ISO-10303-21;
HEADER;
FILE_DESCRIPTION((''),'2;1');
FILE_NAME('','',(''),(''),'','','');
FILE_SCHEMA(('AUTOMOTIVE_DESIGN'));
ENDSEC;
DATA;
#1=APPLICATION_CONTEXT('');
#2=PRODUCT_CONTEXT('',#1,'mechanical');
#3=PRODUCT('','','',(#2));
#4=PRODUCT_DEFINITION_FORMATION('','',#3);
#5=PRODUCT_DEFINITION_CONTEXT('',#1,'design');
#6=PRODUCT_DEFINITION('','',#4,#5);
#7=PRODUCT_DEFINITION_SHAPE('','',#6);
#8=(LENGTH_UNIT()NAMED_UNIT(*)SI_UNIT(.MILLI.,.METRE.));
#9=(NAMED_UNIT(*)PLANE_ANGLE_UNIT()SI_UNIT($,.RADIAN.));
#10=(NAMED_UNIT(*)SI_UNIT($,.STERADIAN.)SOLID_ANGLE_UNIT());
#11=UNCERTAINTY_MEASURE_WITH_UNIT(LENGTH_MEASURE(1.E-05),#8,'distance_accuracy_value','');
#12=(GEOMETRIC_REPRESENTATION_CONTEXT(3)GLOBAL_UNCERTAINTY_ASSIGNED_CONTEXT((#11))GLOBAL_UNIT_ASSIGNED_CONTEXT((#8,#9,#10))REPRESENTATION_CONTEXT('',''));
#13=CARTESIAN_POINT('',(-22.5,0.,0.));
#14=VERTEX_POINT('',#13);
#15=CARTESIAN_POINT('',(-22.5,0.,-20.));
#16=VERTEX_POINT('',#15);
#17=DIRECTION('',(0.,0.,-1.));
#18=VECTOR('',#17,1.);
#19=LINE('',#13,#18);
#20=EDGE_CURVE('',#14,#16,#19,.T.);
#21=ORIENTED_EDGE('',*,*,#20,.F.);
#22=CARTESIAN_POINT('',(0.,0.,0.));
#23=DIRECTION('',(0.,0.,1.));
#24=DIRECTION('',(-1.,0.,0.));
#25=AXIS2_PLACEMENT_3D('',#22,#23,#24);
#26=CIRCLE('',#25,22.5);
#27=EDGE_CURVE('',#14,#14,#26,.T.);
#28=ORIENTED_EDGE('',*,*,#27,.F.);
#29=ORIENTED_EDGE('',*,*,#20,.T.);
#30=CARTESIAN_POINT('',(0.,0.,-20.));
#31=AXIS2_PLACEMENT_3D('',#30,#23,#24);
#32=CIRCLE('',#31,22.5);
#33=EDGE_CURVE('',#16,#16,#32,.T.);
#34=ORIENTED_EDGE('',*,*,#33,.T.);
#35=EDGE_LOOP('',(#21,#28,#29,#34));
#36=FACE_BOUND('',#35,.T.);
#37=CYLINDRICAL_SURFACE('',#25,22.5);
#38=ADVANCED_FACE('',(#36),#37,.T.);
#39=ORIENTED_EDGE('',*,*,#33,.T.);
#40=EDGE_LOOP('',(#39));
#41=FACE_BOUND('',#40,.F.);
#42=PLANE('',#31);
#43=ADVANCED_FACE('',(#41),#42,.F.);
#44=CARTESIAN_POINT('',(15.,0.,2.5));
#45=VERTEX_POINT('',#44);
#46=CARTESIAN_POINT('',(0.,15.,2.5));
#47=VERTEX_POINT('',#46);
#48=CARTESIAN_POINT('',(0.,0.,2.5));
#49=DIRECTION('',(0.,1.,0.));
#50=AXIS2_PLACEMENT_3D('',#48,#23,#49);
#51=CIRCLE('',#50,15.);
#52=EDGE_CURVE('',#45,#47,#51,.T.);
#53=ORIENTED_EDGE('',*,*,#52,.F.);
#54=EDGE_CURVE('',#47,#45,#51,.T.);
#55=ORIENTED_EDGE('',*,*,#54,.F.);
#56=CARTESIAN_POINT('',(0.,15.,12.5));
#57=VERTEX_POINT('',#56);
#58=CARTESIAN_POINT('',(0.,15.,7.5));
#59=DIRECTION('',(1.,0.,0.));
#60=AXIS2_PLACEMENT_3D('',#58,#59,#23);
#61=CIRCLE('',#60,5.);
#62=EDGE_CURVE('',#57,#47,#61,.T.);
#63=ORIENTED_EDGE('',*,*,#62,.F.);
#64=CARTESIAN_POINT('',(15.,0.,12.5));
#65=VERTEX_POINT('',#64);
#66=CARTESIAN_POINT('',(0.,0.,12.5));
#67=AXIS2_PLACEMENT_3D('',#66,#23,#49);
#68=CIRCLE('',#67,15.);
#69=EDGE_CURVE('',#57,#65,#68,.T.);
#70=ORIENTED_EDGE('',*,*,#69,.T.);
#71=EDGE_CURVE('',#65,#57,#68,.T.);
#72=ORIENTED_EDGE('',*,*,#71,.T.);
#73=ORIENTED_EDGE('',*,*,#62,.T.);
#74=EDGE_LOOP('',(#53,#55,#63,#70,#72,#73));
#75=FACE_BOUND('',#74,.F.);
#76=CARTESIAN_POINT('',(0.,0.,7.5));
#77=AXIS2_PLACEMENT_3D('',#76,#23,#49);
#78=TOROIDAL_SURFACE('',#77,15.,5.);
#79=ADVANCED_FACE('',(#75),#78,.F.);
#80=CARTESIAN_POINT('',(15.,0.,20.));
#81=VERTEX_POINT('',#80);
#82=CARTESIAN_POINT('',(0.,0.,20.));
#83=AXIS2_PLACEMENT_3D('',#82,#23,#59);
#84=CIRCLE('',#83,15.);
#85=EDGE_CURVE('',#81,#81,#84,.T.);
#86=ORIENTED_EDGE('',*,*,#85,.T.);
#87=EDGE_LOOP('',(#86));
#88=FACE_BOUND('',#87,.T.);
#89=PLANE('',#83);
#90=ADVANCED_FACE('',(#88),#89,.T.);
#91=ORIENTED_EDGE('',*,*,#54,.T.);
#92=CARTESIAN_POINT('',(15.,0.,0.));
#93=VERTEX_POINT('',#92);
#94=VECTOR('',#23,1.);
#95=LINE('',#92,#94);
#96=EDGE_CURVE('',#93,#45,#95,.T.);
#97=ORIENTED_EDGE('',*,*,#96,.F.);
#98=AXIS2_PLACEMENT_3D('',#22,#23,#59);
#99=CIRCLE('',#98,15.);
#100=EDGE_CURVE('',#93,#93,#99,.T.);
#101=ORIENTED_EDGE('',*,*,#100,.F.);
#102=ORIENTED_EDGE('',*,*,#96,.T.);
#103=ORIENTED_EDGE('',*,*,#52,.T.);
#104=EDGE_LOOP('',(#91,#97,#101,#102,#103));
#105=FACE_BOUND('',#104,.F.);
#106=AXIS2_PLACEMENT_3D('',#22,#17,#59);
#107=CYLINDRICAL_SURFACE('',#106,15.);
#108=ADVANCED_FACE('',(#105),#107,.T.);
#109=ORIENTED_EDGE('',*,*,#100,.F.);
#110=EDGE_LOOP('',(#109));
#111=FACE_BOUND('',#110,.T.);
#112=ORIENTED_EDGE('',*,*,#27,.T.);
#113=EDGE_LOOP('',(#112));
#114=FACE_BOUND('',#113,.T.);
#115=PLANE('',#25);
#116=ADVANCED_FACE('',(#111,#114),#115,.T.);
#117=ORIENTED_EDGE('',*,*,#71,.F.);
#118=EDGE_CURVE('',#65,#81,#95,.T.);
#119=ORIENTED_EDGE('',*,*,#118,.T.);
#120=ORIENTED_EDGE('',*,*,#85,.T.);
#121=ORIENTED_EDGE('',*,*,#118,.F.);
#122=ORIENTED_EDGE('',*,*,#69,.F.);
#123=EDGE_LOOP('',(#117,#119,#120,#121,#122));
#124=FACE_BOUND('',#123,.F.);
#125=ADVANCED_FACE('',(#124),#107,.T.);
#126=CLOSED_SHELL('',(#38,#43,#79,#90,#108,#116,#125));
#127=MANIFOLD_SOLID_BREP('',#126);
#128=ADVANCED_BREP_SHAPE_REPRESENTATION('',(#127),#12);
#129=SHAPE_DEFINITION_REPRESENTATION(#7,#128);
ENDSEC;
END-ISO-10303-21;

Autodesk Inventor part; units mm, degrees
ref_plane "XZ Plane" through (0, 0, 0) normal (0, 1, 0) x (-1, 0, 0)
ref_plane "XY Plane" through (0, 0, 0) normal (0, 0, 1) x (1, 0, 0)
sketch "Skizze1" plane through (0, 0, 0) normal (0, 0, 1) x (-1, 0, 0)
  circle A0 centre (0, 0) radius 22.5
  dimension "d0" = 45
extrude "Extrusion1" add sketch "Skizze1" against normal blind 20
sketch "Skizze3" plane through (0, 0, 0) normal (0, 0, 1) x (1, 0, 0)
  circle A0 centre (0, 0) radius 15
  dimension "d3" = 30
extrude "Extrusion2" add sketch "Skizze3" along normal blind 20
ref_plane "Arbeitsebene1" through (0, 0, 0) normal (1, 0, 0) x (0, 1, 0)
sketch "Skizze5" plane through (0, 0, 0) normal (1, 0, 0) x (0, 1, 0)
  line L0 (-22.5, -20) -> (22.5, -20) projected
  line L1 (0, -20) -> (0, 20)
  line L2 (15, 20) -> (-15, 20) projected
  line L3 (10, 20) -> (10, 1.8057) construction
  line L4 (10, 2.5) -> (10, 12.5)
  line L5 (15, 2.5) -> (15, 12.5)
  line L6 (15, 0) -> (15, 20) projected
  arc A0 (15, 12.5) -> (15, 2.5) centre (15, 7.5) ccw
  point P0 (0, 0)
  point P1 (10, 7.5)
  dimension "d8" = 20
  dimension "d10" = 7.5
  dimension "d13" = 5
revolve "Umdrehung1" cut sketch "Skizze5" angle 360 about axis through (0, 0, -20) along (0, 0, 1)
properties part number "7"
